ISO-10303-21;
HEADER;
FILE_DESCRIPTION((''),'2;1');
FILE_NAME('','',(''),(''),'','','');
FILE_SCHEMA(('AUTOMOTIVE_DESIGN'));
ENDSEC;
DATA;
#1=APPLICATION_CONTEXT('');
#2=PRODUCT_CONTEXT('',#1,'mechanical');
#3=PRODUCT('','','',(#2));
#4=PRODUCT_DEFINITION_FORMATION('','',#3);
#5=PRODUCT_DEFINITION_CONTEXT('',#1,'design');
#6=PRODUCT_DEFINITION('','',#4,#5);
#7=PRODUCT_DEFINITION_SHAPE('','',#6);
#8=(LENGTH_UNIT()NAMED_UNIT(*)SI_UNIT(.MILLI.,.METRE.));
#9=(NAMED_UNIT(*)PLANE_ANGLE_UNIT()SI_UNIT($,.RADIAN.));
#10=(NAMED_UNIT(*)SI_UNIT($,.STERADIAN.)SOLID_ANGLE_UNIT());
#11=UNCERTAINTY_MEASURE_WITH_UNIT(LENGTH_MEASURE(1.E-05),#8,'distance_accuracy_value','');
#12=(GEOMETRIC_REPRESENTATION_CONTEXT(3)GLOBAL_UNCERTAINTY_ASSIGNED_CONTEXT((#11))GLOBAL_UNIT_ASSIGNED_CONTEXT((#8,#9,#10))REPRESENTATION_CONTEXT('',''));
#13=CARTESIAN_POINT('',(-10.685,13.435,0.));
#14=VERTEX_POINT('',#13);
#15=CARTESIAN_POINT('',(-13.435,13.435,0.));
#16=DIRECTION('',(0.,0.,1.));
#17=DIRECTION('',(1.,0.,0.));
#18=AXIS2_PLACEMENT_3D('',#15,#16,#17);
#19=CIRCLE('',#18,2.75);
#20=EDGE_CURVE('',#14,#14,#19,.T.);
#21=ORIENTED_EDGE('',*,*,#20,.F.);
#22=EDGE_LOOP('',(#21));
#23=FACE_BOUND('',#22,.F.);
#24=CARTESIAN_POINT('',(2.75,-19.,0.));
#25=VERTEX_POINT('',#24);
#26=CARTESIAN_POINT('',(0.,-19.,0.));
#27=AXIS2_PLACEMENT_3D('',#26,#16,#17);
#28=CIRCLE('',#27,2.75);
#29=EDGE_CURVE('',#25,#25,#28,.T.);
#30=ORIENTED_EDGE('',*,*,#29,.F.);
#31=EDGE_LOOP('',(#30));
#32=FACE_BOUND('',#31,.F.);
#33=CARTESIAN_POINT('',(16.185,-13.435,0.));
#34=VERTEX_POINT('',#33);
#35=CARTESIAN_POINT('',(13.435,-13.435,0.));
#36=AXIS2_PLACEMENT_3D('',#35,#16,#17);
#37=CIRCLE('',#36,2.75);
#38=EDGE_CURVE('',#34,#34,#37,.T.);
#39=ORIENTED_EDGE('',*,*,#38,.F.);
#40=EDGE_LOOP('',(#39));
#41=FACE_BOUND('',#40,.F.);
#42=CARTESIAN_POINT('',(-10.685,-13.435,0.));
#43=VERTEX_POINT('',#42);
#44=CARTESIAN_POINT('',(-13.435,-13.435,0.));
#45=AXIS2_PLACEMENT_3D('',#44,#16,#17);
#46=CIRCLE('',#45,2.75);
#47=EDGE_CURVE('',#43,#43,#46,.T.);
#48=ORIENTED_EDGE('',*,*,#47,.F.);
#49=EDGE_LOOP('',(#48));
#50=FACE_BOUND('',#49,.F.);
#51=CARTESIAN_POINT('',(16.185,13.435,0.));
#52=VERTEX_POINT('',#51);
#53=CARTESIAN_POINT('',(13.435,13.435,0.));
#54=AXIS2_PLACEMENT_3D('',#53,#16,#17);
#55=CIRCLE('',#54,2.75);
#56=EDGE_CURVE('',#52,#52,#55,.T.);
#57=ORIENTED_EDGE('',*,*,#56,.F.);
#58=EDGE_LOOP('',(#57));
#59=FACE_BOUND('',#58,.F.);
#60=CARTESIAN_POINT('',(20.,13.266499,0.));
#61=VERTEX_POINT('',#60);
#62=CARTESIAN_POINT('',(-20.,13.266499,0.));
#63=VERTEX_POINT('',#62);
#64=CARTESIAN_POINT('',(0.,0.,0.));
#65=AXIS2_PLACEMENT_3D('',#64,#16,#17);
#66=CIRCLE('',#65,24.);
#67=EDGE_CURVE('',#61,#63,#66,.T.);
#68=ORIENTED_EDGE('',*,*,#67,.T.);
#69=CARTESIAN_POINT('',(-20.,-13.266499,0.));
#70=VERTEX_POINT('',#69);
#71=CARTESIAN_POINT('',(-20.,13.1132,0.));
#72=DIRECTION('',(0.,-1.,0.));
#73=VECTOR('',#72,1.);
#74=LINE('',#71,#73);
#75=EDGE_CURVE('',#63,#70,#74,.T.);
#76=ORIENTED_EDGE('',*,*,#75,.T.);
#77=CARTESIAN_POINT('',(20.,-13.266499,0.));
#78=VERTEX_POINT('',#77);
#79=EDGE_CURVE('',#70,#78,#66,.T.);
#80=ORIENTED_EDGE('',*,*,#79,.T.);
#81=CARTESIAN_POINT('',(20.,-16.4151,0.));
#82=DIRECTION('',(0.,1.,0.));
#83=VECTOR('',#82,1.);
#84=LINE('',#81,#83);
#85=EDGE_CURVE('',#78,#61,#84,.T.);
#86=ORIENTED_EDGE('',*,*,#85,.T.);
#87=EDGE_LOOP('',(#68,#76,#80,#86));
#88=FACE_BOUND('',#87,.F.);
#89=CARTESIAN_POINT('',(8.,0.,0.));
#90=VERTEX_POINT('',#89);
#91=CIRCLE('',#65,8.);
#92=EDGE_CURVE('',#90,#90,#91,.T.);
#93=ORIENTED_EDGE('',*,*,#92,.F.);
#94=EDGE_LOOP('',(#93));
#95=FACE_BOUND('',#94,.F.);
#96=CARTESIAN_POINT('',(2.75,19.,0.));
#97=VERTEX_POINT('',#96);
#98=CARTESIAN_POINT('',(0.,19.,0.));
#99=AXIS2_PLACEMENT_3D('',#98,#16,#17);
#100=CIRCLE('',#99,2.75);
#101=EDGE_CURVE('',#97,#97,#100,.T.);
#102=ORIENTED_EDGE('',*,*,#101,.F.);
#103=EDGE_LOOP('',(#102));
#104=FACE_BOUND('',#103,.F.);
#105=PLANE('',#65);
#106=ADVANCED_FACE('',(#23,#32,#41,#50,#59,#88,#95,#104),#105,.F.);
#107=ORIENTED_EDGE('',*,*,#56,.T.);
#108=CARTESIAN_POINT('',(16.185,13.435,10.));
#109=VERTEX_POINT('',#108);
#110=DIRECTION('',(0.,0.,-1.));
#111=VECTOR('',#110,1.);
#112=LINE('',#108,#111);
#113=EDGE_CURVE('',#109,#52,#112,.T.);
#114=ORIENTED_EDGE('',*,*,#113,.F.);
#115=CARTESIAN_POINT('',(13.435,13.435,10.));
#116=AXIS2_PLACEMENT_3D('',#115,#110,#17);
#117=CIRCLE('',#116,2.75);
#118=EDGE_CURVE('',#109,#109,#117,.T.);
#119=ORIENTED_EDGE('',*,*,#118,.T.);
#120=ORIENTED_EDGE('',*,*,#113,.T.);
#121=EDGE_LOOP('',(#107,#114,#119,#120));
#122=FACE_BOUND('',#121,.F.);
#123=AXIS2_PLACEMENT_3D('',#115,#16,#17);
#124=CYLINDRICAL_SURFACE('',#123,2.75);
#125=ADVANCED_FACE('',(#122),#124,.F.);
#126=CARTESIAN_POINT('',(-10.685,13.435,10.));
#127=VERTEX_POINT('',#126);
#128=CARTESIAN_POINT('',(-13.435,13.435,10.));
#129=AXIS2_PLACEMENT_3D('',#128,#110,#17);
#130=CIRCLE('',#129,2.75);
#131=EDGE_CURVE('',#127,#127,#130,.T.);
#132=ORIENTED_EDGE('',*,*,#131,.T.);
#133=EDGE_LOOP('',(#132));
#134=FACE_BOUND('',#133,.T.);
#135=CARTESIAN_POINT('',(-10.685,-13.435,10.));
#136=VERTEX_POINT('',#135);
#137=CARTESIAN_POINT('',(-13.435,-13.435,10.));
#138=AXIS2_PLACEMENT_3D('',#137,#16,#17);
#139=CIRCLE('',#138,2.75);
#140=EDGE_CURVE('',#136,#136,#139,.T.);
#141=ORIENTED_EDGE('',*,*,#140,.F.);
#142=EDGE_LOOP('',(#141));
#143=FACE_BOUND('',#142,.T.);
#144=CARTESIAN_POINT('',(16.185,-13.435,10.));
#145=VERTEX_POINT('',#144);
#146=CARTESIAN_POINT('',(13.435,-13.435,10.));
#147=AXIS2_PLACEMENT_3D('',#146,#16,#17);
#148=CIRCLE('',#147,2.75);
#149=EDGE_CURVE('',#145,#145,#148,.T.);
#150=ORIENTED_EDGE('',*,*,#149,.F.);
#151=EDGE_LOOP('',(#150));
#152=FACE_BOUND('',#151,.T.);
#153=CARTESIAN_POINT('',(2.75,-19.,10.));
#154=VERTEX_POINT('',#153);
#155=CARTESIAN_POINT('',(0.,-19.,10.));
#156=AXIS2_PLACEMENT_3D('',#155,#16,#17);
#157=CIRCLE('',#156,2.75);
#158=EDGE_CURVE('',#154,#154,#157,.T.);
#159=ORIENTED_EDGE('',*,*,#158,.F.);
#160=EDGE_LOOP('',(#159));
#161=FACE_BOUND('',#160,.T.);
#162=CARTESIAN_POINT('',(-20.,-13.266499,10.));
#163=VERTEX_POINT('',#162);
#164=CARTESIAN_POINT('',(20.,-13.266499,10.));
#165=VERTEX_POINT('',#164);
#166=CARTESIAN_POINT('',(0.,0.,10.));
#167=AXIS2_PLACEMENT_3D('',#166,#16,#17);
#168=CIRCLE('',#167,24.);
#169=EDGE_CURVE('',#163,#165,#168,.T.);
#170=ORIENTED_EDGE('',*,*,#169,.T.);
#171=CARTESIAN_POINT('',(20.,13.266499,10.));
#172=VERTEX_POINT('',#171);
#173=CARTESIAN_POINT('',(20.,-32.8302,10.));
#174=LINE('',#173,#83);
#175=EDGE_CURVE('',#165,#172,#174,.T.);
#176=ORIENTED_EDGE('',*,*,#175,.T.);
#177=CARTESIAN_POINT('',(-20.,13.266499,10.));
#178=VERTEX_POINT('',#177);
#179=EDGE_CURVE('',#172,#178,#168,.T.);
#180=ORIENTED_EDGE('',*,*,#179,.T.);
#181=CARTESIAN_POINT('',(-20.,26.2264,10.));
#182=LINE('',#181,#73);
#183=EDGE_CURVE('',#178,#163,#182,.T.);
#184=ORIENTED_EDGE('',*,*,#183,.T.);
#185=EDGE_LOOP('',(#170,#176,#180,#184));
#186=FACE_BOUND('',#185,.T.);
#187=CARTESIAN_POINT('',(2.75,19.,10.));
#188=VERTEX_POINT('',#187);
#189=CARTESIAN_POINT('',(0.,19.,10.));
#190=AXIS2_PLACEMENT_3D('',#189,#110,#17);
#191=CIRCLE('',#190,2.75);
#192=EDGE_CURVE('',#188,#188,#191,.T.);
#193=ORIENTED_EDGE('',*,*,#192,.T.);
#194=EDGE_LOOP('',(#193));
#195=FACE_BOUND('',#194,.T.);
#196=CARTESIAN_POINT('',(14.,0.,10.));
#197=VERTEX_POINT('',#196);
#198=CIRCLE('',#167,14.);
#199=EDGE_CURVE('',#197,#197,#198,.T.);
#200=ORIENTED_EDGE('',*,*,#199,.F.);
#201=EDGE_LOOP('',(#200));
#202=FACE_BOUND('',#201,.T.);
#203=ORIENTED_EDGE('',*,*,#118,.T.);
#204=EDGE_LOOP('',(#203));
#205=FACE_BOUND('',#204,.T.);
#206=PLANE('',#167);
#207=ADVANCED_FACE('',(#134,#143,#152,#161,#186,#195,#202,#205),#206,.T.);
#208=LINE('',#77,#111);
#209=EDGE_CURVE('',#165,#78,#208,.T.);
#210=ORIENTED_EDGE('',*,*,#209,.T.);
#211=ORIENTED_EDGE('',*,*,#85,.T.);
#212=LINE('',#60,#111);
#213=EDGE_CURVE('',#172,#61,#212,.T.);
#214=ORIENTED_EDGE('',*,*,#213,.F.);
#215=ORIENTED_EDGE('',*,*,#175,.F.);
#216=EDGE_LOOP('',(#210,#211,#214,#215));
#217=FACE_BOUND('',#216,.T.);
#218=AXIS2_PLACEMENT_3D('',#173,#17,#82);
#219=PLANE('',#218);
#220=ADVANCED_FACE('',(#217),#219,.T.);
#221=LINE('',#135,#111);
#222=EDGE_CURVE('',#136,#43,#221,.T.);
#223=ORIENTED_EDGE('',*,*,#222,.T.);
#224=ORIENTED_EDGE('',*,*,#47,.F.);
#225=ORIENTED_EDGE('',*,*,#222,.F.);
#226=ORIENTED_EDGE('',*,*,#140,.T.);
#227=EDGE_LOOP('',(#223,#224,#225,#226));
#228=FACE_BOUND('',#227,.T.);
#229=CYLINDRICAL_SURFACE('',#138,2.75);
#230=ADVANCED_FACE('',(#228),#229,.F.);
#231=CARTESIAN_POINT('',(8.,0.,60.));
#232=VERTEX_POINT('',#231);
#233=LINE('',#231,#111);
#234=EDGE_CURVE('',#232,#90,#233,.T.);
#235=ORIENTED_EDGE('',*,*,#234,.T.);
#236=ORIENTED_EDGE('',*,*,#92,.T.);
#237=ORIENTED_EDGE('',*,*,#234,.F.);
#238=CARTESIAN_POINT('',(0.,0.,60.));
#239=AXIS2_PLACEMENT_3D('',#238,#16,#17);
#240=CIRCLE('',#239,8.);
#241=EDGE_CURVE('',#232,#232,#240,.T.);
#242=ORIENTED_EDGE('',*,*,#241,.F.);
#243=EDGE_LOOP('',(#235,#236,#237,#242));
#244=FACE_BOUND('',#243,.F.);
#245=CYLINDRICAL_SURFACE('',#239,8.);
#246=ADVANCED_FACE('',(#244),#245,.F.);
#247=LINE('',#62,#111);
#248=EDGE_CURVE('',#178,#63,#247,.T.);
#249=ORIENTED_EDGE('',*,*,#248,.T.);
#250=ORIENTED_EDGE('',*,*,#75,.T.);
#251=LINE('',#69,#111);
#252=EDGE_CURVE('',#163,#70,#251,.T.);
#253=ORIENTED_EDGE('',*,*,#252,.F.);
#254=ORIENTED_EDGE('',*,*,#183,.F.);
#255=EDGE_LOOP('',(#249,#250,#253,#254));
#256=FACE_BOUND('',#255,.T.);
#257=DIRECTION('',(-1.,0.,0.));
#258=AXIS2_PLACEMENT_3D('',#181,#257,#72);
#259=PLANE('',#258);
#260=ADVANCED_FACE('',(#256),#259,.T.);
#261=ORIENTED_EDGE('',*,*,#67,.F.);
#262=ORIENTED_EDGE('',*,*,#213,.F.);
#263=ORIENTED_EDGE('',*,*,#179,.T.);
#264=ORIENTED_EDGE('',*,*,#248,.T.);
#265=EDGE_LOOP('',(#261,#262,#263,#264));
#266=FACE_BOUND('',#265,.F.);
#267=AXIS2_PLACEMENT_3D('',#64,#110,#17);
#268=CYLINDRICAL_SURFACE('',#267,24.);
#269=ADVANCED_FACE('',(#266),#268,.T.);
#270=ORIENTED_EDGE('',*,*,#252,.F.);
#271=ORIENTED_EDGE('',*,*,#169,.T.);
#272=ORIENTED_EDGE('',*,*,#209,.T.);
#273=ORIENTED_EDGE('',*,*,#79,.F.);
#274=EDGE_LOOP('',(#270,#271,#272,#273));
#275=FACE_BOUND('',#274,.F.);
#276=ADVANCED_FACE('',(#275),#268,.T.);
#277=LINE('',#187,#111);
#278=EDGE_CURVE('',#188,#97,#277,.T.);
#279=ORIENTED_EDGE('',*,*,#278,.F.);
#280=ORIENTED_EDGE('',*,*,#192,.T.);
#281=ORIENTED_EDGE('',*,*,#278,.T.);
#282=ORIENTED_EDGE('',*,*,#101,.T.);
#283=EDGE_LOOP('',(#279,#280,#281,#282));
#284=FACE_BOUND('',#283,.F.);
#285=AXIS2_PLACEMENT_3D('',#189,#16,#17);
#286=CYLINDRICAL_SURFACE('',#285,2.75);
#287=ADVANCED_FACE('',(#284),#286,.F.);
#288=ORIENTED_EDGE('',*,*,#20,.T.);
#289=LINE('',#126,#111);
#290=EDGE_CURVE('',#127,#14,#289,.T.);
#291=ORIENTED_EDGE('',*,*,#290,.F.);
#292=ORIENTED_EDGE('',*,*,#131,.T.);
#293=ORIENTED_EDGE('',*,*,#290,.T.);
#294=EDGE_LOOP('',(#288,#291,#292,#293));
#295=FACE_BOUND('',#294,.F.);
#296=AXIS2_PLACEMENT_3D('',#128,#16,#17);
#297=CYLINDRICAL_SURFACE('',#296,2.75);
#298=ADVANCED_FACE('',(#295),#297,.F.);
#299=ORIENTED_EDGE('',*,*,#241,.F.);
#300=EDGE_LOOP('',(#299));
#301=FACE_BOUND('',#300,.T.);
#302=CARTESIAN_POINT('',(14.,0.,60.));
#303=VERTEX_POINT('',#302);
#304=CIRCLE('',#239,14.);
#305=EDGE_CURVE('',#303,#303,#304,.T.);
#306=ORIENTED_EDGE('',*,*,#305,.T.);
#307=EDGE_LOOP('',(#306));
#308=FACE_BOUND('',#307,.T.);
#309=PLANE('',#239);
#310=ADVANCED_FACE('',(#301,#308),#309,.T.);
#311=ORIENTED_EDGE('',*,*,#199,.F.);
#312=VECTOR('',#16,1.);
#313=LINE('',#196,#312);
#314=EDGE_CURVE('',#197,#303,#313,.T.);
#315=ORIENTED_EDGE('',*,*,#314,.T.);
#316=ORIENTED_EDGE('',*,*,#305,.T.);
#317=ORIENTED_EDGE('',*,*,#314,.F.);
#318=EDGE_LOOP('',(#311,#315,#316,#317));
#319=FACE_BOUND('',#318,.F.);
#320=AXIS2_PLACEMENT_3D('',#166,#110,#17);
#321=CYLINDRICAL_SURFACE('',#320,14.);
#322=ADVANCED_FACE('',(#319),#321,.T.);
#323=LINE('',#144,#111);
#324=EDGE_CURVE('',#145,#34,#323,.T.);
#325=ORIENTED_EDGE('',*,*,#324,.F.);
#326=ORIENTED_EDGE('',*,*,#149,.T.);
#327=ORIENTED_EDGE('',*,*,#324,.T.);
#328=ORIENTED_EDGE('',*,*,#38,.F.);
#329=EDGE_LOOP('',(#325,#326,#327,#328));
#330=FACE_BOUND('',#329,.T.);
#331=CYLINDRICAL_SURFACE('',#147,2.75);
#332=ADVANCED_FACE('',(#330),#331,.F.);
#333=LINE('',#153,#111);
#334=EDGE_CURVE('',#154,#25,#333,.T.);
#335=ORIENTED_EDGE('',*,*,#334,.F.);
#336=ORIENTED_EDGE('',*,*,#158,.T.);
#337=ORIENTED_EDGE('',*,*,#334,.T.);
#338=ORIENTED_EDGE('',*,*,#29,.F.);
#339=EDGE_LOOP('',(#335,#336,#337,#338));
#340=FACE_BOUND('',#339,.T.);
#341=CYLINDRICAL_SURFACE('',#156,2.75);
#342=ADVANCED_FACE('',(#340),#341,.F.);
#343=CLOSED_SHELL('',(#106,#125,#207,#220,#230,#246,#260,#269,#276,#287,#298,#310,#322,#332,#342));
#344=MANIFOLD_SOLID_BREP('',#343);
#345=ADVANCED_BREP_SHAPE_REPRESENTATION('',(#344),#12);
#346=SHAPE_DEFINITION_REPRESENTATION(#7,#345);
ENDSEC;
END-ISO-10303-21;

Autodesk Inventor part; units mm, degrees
ref_plane "YZ Plane" through (0, 0, 0) normal (1, 0, 0) x (0, 1, 0)
ref_plane "XZ Plane" through (0, 0, 0) normal (0, 1, 0) x (-1, 0, 0)
ref_plane "XY Plane" through (0, 0, 0) normal (0, 0, 1) x (1, 0, 0)
sketch "Szkic1" plane through (0, 0, 0) normal (0, 0, 1) x (1, 0, 0)
  circle A0 centre (0, 0) radius 24
  dimension "d0" = 48
extrude "Wyciągnięcie proste1" add sketch "Szkic1" along normal blind 10
sketch "Szkic2" plane through (0, 0, 10) normal (0, 0, 1) x (1, 0, 0)
  circle A0 centre (0, 0) radius 14
  dimension "d3" = 28
extrude "Wyciągnięcie proste2" add sketch "Szkic2" along normal blind 50
sketch "Szkic3" plane through (0, 0, 60) normal (0, 0, 1) x (1, 0, 0)
  circle A0 centre (0, 0) radius 8
  dimension "d6" = 16
extrude "Wyciągnięcie proste3" cut sketch "Szkic3" against normal through all
sketch "Szkic4" plane through (0, 0, 10) normal (0, 0, 1) x (1, 0, 0)
  line L0 (-34.1509, 26.2264) -> (-20, 26.2264)
  line L1 (-20, 26.2264) -> (-20, -20.7547)
  line L2 (-20, -20.7547) -> (-34.1509, -20.7547)
  line L3 (-34.1509, -20.7547) -> (-34.1509, 26.2264)
  line L4 (20, 30.566) -> (32.0755, 30.566)
  line L5 (32.0755, 30.566) -> (32.0755, -32.8302)
  line L6 (32.0755, -32.8302) -> (20, -32.8302)
  line L7 (20, -32.8302) -> (20, 30.566)
  point P0 (0, 0)
  dimension "d9" = 40
  dimension "d10" = 20
extrude "Wyciągnięcie proste4" cut sketch "Szkic4" against normal blind 40
sketch "Szkic5" plane through (0, 0, 10) normal (0, 0, 1) x (1, 0, 0)
  circle A0 centre (0, 0) radius 19
  circle A1 centre (0, 19) radius 2.75
  circle A2 centre (13.435, 13.435) radius 2.75
  circle A3 centre (-13.435, 13.435) radius 2.75
  line L0 (0, 0) -> (-30.3885, 30.3885)
  line L1 (0, 0) -> (37.6377, 37.6377)
  line L2 (0, 0) -> (34.9843, 0)
  dimension "d13" = 38
  dimension "d14" = 5.5
  dimension "d15" = 5.5
  dimension "d16" = 5.5
  dimension "d17" = 45
  dimension "d18" = 90
extrude "Wyciągnięcie proste5" cut sketch "Szkic5" against normal blind 40 contours A2 L1 A0 | A0 L1 A2 | A3 L0 A0 | A0 L0 A3 | L1 A2 A0 | A0 A2 L1 | L0 A3 A0 | A0 A3 L0 | A1 A0 | A0 A1
mirror "Odbij1" about plane through (0, 0, 0) normal (0, 1, 0) of "Wyciągnięcie proste5"
properties part number "Cartesian1_BallNut" material "Stal, stopowa"
